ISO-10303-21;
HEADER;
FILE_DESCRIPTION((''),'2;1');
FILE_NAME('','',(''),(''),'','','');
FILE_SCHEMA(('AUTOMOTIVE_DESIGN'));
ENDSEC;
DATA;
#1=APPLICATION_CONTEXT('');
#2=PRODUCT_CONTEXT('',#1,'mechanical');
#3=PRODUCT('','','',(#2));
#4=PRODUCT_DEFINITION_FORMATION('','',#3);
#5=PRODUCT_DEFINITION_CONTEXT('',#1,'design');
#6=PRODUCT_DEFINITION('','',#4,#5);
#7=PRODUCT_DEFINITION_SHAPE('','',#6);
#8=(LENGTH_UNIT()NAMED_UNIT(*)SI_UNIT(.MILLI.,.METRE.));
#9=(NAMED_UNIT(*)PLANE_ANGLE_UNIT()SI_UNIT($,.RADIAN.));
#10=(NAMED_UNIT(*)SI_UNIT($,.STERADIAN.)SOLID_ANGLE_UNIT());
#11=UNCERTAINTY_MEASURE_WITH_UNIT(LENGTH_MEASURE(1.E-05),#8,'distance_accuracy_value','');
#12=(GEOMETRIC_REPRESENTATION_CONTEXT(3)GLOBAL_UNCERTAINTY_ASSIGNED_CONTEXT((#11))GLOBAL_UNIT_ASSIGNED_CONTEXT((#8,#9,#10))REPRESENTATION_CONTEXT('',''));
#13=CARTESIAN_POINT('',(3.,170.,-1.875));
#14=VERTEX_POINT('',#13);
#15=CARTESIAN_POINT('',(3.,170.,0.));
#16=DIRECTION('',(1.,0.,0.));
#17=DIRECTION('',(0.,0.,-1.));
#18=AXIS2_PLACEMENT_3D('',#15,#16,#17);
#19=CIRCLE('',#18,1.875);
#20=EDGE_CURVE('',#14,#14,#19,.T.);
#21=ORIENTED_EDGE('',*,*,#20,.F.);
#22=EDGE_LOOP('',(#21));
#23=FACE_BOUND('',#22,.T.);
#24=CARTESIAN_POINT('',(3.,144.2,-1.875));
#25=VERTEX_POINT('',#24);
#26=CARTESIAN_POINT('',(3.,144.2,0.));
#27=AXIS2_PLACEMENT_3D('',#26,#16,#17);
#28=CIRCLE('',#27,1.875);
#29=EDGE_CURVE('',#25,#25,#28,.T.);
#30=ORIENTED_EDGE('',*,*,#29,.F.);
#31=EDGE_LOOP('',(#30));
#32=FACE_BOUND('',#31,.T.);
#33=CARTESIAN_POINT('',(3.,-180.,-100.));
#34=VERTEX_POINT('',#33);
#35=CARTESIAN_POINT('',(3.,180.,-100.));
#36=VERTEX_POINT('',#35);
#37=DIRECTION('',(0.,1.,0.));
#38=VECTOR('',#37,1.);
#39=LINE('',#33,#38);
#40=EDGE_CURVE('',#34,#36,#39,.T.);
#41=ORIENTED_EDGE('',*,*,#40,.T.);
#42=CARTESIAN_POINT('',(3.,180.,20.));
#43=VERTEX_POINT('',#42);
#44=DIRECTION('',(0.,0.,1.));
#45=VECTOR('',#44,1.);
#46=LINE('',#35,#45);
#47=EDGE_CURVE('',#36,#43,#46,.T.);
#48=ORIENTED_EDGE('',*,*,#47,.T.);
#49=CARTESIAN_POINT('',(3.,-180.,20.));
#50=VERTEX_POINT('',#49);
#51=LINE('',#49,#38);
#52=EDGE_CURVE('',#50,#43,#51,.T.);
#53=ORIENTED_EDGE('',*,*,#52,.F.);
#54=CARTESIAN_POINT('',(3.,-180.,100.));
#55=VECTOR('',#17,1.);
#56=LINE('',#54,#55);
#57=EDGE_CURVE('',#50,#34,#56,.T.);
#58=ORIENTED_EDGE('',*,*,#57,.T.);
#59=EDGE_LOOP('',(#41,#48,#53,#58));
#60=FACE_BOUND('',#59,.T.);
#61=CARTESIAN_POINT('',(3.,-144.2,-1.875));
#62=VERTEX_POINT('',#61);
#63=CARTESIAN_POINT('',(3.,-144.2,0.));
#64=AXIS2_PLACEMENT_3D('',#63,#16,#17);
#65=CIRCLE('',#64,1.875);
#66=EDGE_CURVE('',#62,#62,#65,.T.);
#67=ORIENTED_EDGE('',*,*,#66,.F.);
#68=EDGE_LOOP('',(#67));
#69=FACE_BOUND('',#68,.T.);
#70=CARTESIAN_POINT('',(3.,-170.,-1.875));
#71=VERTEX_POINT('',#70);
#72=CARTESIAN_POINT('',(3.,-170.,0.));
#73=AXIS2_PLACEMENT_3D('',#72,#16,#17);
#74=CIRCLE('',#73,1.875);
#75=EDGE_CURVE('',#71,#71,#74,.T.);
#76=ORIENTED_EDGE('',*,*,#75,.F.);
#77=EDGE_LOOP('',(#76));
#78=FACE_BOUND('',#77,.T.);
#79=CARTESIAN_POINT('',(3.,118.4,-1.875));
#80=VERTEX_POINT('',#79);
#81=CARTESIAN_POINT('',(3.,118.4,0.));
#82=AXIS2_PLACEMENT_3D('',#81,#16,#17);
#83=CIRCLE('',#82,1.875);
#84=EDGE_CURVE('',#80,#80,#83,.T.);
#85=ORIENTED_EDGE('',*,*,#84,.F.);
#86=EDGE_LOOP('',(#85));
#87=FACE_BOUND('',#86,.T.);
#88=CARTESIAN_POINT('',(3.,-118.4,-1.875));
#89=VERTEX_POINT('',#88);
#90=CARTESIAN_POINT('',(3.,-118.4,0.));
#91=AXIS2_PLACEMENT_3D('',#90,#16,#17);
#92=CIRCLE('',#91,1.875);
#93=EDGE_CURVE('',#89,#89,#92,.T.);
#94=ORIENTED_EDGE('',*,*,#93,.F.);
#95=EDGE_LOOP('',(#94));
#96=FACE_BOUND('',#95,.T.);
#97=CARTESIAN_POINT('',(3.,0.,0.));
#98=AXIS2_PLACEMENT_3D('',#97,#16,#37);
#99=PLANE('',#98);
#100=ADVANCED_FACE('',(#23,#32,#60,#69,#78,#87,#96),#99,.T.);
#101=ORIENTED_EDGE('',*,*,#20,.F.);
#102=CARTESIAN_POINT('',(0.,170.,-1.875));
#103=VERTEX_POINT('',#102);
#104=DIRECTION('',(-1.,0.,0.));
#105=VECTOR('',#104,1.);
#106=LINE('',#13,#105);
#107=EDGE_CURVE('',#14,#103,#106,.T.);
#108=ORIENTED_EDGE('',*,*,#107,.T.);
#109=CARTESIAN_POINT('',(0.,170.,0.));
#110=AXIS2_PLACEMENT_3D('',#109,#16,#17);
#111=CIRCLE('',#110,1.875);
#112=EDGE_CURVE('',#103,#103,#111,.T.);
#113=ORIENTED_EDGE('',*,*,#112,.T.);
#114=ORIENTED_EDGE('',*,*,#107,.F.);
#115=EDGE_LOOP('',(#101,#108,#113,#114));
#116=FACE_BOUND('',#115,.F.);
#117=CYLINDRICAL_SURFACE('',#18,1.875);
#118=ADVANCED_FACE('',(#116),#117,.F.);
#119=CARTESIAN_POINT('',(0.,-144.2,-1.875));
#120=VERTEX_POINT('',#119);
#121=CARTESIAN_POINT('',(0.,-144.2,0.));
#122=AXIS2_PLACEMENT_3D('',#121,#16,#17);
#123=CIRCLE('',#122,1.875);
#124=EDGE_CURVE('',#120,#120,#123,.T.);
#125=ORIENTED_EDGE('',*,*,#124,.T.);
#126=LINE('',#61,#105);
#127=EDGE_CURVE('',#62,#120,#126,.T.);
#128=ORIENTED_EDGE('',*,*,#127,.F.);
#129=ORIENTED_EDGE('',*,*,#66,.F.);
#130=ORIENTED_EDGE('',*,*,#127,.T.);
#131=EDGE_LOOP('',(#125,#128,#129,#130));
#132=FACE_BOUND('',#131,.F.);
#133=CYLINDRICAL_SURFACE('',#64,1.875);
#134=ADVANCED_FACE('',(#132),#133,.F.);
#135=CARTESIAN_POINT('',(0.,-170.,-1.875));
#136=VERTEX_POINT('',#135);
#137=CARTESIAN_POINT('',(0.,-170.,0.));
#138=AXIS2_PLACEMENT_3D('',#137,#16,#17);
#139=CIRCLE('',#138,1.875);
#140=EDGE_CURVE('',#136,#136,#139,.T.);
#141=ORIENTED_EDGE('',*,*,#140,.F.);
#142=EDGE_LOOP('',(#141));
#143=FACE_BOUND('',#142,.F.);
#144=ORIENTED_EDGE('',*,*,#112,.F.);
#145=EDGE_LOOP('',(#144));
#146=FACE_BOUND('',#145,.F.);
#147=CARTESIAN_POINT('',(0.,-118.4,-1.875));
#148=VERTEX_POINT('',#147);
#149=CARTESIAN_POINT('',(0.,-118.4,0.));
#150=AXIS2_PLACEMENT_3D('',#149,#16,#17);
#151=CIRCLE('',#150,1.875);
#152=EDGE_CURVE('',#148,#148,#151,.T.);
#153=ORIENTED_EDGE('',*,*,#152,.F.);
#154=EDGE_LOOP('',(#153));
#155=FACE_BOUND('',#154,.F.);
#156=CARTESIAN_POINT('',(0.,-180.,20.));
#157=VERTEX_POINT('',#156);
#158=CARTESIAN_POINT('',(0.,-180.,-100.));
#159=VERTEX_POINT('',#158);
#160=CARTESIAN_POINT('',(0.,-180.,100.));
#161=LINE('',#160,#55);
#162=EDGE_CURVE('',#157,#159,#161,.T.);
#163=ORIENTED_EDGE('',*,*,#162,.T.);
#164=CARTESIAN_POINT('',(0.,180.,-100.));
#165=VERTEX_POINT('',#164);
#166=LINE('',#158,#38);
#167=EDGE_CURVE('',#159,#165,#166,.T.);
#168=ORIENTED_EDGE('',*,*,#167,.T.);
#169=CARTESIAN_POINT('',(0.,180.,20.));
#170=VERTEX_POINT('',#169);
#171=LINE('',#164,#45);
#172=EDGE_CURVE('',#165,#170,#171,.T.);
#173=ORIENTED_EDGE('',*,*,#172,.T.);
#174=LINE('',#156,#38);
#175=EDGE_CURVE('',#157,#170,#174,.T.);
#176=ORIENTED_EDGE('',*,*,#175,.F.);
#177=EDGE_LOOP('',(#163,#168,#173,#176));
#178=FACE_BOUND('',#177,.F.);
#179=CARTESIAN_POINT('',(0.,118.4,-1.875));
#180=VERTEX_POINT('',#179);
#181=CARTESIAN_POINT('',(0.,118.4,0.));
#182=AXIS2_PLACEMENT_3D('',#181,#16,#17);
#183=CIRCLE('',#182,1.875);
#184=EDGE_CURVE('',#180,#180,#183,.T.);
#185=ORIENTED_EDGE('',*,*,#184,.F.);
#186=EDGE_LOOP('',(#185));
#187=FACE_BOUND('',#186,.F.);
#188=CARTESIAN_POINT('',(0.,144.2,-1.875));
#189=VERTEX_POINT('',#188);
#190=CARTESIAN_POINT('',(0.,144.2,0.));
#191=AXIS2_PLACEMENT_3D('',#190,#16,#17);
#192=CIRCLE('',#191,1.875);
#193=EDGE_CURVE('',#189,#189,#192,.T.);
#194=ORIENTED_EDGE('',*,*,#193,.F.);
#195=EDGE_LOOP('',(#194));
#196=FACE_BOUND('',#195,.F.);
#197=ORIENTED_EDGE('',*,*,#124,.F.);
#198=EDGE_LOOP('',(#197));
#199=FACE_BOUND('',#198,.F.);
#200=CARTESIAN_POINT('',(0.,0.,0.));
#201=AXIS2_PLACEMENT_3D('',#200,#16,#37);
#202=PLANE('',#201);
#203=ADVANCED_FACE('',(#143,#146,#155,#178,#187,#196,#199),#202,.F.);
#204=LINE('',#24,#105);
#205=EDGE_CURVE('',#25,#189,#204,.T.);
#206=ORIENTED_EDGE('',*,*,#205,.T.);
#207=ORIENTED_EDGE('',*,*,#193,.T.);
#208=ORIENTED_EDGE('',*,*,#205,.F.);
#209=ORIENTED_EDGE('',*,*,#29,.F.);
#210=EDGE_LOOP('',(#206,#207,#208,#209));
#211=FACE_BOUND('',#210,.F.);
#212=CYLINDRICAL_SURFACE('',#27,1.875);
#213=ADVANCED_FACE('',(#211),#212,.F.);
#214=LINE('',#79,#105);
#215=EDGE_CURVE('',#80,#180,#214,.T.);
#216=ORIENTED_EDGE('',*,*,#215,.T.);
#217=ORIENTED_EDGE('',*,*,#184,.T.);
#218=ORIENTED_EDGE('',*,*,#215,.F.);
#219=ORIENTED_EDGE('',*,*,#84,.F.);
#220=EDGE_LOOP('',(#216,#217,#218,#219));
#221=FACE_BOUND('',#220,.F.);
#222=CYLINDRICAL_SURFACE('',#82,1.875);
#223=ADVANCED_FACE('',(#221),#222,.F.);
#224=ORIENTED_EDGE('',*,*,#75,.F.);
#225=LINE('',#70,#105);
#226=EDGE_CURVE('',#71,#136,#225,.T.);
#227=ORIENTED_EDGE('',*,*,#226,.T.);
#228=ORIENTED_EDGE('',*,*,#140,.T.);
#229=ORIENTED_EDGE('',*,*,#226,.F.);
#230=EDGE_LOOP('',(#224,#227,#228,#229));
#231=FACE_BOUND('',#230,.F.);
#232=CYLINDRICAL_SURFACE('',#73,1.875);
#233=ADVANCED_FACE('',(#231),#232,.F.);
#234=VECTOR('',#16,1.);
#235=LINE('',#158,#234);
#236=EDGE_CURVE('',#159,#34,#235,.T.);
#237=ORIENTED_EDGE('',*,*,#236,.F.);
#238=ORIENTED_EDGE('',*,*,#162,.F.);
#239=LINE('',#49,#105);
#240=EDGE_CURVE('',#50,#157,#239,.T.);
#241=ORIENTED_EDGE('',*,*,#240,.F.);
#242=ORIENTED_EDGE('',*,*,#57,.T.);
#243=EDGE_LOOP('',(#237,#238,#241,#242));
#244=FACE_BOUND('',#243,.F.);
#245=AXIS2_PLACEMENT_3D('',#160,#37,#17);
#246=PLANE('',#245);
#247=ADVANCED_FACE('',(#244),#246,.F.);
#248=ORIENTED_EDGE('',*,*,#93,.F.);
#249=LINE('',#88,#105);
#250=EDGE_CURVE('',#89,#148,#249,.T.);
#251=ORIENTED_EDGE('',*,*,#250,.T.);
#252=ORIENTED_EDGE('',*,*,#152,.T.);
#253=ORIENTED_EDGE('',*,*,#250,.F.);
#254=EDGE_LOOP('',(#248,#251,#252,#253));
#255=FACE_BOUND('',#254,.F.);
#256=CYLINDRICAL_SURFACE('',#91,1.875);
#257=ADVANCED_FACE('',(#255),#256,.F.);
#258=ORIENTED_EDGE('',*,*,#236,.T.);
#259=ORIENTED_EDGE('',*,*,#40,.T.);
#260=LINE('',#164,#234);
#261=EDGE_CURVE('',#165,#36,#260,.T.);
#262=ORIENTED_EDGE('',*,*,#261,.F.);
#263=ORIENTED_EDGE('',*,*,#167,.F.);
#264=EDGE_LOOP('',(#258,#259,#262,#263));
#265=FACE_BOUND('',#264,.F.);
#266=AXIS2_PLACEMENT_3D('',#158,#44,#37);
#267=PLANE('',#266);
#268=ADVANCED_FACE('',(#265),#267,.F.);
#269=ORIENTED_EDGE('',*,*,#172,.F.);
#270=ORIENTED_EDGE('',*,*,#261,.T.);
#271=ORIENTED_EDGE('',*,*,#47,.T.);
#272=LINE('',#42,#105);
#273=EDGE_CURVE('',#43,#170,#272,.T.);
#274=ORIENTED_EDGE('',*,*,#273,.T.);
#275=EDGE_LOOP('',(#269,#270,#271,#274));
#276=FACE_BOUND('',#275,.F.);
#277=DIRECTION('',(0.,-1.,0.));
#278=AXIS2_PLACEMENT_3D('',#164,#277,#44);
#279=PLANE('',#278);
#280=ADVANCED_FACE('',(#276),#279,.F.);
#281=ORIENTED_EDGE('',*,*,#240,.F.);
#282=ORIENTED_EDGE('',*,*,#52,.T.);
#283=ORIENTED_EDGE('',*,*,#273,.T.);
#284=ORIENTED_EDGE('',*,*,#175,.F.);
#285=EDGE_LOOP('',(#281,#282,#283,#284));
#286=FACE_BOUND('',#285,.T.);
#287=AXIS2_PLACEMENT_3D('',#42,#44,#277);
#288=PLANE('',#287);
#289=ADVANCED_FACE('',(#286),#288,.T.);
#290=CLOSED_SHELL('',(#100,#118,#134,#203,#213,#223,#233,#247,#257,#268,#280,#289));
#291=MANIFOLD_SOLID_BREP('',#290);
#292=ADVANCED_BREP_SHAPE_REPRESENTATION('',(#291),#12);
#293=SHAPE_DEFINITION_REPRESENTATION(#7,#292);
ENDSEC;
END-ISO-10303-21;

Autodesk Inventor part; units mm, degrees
ref_plane "YZ Plane" through (0, 0, 0) normal (1, 0, 0) x (0, 1, 0)
ref_plane "XZ Plane" through (0, 0, 0) normal (0, 1, 0) x (-1, 0, 0)
ref_plane "XY Plane" through (0, 0, 0) normal (0, 0, 1) x (1, 0, 0)
sketch "Sketch1" plane through (0, 0, 0) normal (1, 0, 0) x (0, 1, 0)
  line L0 (180, 100) -> (-180, 100)
  line L1 (-180, 100) -> (-180, -100)
  line L2 (-180, -100) -> (180, -100)
  line L3 (180, -100) -> (180, 100)
  line L4 (180, 100) -> (-180, -100) construction
  line L5 (-180, 100) -> (180, -100) construction
  point P0 (0, 0)
  dimension "d0" = 360
  dimension "d1" = 200
extrude "Extrusion1" add sketch "Sketch1" along normal blind 3
sketch "Sketch5" plane through (3, 0, 0) normal (1, 0, 0) x (0, 0, -1)
  circle A0 centre (0, 170) radius 1.875
  circle A1 centre (0, 144.2) radius 1.875
  circle A2 centre (0, 118.4) radius 1.875
  line L0 (100, 180) -> (-100, 180) projected
  line L1 (-100, 180) -> (-100, -180) projected
  line L2 (100, -180) -> (100, 180) projected
  circle A3 centre (0, -170) radius 1.875
  circle A4 centre (0, -144.2) radius 1.875
  circle A5 centre (0, -118.4) radius 1.875
  line L3 (-100, -180) -> (100, -180) projected
  line L4 (-100, -180) -> (100, -180)
  dimension "d46" = 10
  dimension "d47" = 25.8
  dimension "d48" = 25.8
extrude "Extrusion8" cut sketch "Sketch5" against normal blind 3 contours A0 | A1 | A2 | A3 | A4 | A5
sketch "Sketch6" plane through (3, 0, 0) normal (1, 0, 0) x (0, 0, -1)
  line L0 (100, 180) -> (-100, 180) projected
  line L1 (-100, 180) -> (-20, 180)
  line L2 (-20, 180) -> (-20, -170.3754)
  line L3 (-20, 180) -> (330.3754, 180) construction
  line L4 (-20, -170.3754) -> (-20, -180)
  line L5 (-100, -180) -> (100, -180) projected
  line L6 (-20, -180) -> (-100, -180)
  line L7 (-100, 180) -> (-100, -180) projected
  line L8 (-100, 180) -> (-100, -180)
  point P0 (0, 0)
  dimension "d65" = 80
  dimension "d66" = 90
extrude "Extrusion9" cut sketch "Sketch6" against normal blind 3
properties part number "leftside"
